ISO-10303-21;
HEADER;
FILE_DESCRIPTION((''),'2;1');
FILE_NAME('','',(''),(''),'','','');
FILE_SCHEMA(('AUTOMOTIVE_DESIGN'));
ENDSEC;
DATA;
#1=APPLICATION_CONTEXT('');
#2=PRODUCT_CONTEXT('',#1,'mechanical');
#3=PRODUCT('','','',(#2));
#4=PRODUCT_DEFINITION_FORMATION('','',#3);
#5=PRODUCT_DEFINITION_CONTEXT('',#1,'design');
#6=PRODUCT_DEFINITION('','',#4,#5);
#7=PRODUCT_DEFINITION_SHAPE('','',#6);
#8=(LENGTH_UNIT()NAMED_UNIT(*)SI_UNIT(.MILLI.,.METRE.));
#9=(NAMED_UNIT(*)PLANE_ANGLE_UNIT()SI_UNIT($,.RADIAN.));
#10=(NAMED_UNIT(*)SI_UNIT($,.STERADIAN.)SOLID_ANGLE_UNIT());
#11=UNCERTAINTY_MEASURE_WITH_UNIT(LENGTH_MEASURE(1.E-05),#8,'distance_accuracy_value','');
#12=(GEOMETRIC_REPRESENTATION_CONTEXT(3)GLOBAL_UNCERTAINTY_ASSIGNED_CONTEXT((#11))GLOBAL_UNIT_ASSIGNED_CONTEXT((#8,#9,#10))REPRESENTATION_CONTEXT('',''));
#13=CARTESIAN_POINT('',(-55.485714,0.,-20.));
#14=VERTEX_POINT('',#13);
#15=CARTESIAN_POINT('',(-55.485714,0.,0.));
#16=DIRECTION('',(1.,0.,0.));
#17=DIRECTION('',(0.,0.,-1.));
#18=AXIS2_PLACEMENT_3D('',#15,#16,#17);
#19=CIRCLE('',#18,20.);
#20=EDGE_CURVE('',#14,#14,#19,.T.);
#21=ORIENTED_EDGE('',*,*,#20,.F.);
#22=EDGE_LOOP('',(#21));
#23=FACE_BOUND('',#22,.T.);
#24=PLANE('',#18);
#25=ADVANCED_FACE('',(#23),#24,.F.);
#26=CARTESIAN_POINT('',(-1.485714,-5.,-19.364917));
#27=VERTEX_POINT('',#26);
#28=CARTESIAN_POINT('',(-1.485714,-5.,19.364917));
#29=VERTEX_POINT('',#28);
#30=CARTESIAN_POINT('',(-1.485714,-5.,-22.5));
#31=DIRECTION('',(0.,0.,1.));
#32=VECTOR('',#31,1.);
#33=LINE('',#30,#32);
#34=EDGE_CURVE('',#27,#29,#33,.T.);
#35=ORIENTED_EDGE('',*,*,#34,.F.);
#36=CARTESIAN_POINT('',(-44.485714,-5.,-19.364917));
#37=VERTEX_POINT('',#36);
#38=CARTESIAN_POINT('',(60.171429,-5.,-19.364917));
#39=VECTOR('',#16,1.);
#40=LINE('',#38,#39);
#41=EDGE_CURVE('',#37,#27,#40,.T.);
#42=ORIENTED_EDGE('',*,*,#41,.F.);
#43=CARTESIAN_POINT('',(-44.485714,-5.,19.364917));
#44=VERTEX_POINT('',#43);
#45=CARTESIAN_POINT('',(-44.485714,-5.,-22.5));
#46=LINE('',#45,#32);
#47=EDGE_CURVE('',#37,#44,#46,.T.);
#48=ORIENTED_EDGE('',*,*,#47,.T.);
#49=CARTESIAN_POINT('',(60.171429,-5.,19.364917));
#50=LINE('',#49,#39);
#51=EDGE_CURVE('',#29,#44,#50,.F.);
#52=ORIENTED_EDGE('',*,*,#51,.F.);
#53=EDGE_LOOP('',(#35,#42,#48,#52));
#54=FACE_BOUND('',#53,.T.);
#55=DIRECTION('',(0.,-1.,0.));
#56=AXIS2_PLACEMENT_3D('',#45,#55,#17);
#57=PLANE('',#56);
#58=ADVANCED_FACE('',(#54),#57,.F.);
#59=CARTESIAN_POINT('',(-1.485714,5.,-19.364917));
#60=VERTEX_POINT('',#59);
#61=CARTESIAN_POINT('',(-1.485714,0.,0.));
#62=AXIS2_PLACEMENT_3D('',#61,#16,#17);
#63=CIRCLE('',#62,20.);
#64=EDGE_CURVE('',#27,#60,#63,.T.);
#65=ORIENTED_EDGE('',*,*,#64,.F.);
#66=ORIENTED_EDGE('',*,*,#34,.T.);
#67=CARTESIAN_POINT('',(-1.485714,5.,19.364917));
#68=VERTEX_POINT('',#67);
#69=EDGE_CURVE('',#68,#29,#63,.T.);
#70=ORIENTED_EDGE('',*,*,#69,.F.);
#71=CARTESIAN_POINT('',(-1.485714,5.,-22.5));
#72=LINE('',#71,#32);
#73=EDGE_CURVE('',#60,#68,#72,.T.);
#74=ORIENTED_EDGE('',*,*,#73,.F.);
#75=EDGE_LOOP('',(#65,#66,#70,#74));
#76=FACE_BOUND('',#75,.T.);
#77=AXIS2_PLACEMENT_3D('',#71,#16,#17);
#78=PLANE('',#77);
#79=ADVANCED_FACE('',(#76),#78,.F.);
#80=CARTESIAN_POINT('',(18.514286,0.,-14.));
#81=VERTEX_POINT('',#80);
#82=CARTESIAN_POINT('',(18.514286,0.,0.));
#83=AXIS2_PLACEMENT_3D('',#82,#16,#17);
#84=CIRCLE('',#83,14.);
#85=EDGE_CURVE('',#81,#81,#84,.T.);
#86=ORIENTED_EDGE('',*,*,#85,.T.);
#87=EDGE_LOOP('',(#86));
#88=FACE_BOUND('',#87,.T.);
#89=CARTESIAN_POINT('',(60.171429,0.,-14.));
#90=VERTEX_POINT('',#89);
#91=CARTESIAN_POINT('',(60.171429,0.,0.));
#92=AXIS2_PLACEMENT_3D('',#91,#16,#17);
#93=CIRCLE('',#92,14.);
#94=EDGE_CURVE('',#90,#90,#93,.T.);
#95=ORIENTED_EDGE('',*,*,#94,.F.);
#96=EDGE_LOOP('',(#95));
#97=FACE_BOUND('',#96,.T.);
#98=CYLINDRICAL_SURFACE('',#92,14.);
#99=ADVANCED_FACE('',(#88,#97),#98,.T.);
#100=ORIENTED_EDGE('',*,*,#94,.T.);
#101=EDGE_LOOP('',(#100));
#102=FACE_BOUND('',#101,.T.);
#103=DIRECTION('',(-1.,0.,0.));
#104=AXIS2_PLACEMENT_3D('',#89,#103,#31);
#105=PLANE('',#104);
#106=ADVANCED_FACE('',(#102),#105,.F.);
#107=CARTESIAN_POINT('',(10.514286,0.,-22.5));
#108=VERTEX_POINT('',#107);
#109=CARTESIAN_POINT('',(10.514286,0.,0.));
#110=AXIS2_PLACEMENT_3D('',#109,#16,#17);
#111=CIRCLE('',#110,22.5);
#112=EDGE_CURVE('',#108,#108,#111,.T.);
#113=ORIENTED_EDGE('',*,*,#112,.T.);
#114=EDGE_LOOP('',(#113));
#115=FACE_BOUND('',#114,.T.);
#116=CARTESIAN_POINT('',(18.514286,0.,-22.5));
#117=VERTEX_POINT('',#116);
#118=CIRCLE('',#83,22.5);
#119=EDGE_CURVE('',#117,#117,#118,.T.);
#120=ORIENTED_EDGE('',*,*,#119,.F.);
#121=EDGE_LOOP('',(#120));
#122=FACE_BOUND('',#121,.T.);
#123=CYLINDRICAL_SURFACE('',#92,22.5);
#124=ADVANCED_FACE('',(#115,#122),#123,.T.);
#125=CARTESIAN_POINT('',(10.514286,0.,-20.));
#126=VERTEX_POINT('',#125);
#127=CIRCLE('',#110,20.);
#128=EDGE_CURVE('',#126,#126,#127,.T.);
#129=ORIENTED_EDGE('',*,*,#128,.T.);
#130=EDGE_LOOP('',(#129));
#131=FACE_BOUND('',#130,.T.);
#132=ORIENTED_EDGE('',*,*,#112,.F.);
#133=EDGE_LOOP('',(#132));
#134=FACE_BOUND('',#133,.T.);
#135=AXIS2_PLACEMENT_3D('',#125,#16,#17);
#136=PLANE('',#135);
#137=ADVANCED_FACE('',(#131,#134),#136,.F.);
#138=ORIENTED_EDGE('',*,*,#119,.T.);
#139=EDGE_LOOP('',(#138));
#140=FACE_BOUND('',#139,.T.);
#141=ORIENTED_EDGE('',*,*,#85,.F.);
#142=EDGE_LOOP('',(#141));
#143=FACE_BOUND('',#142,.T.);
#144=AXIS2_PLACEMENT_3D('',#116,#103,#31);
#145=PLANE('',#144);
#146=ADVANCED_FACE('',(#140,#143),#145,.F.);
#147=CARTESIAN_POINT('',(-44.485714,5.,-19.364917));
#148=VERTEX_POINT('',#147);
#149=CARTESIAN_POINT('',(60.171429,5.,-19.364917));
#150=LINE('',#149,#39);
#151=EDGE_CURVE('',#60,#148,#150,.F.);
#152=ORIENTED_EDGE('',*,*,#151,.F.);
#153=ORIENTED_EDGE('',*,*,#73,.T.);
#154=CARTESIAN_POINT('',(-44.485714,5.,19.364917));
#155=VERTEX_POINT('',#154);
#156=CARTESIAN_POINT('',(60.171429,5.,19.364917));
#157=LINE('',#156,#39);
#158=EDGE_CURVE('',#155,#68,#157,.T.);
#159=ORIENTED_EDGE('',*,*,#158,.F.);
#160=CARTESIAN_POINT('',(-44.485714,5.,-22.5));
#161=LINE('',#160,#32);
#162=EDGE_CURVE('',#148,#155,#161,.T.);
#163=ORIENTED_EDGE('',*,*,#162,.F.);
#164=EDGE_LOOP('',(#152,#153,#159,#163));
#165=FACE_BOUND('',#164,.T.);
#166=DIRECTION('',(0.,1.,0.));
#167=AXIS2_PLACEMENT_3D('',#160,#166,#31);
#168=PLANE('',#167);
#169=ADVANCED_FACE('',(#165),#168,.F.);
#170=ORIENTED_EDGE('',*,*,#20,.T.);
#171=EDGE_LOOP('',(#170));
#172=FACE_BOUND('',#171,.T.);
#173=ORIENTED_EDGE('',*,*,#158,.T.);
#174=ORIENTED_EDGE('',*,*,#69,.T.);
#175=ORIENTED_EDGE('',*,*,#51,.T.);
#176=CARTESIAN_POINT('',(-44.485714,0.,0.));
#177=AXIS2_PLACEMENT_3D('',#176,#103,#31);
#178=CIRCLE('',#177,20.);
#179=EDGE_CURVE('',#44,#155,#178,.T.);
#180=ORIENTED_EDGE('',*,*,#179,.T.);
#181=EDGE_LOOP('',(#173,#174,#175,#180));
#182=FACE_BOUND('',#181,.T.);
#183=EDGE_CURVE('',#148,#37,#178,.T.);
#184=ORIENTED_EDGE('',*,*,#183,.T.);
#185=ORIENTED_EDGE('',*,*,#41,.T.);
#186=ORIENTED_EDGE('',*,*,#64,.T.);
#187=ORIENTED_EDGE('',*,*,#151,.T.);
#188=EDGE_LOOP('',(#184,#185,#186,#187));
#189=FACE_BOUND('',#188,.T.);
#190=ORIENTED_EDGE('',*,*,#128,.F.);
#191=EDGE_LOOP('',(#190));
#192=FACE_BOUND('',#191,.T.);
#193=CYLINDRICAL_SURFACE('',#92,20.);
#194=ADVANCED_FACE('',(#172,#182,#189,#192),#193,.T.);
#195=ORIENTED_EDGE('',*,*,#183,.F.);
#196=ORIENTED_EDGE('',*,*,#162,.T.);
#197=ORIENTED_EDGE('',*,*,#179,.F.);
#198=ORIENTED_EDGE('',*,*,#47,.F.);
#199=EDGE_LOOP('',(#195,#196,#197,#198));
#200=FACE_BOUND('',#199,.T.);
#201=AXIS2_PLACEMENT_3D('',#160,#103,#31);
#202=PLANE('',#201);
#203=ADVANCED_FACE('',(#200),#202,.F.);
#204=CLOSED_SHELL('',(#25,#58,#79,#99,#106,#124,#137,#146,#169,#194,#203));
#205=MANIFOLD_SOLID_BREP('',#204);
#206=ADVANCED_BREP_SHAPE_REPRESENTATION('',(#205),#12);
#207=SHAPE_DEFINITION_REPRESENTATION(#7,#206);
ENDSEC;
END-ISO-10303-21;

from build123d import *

# Parameters (mm, degrees)
CUT_EXTRUDE1_DEPTH      = 69.066884873
CUT_EXTRUDE1_DEPTH_BACK = 69.066884873
SKETCH2_W               = 43
SKETCH2_H               = 10


with BuildPart() as part:
    # Sketch1 → Revolve1 (revolve)
    with BuildSketch(Plane(origin=(0, 0, 0), x_dir=(1, 0, 0), z_dir=(0, 1, 0))):
        Polygon((-55.485714286, 0), (-55.485714286, 20), (10.514285714, 20), (10.514285714, 22.5), (18.514285714, 22.5), (18.514285714, 14), (60.171428571, 14), (60.171428571, 0), align=None)
    revolve(axis=Axis((60.171428571, 0, 0), (-1, 0, 0)))

    # Sketch2 → Cut-Extrude1 (cut, two sides: drawn at the far end of the back side and taken through both)
    with BuildSketch(Plane.XY.offset(-CUT_EXTRUDE1_DEPTH_BACK)):
        with Locations((-22.985714286, 0)):
            Rectangle(SKETCH2_W, SKETCH2_H)
    extrude(amount=CUT_EXTRUDE1_DEPTH + CUT_EXTRUDE1_DEPTH_BACK, mode=Mode.SUBTRACT)


solid = part.part
